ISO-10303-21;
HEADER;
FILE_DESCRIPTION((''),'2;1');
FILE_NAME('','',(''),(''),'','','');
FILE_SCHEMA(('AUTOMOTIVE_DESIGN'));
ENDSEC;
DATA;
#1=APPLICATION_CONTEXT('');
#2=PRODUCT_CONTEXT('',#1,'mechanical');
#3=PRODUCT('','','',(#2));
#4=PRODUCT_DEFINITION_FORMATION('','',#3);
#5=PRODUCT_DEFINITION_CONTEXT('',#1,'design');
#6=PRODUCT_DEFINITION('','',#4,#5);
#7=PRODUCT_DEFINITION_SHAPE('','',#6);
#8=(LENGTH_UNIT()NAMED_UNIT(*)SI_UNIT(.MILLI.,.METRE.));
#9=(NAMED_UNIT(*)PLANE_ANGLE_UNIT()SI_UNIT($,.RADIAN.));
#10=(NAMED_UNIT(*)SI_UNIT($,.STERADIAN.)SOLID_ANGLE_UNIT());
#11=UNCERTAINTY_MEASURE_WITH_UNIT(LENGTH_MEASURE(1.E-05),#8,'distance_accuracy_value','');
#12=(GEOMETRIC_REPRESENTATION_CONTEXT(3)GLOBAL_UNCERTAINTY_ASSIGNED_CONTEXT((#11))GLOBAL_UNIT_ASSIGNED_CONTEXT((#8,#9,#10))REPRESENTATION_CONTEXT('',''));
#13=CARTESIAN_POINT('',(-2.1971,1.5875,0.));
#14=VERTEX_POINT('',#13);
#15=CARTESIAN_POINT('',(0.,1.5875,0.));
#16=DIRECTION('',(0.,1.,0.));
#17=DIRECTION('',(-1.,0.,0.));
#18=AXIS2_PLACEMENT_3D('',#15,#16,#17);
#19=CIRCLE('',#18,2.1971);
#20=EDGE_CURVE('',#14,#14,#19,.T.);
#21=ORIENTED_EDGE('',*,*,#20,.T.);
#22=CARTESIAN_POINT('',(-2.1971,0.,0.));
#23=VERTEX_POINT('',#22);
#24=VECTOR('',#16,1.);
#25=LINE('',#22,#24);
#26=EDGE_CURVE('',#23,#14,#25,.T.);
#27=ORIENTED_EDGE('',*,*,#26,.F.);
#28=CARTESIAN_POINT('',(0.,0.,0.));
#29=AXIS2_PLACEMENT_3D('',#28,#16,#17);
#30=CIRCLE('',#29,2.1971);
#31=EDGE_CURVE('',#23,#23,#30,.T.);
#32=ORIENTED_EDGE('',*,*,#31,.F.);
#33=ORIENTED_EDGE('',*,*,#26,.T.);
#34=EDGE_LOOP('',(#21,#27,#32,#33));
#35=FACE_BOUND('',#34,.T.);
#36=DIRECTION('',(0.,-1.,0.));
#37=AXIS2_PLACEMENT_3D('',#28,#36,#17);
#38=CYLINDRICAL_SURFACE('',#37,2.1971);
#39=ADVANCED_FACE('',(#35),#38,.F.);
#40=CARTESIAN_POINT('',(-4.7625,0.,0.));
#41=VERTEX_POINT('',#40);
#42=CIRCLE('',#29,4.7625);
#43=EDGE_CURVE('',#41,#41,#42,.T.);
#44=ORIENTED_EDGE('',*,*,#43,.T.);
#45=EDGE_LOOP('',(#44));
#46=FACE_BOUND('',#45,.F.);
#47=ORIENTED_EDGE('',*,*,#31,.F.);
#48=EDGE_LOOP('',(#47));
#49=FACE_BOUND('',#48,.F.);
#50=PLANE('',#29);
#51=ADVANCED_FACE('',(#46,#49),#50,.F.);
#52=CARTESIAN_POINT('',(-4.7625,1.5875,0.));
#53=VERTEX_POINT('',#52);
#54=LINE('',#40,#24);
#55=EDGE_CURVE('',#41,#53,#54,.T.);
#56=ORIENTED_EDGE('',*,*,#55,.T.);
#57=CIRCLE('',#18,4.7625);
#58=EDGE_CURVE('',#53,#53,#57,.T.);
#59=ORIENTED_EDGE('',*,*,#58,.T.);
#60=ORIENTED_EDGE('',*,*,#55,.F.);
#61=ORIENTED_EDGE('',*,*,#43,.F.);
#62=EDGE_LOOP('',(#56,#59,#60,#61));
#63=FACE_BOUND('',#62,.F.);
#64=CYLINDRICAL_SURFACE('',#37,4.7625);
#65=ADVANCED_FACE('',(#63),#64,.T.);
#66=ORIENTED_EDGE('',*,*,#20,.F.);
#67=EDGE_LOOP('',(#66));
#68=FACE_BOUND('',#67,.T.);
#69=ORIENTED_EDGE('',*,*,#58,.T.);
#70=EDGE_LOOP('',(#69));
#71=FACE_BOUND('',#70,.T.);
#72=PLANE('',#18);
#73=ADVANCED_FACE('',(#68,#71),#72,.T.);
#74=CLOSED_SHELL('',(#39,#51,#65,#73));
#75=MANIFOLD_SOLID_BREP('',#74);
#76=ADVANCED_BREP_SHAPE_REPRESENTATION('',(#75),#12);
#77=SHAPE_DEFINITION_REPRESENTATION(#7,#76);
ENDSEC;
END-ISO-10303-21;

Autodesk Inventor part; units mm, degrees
ref_plane "YZ Plane" through (0, 0, 0) normal (1, 0, 0) x (0, 1, 0)
ref_plane "XZ Plane" through (0, 0, 0) normal (0, 1, 0) x (-1, 0, 0)
ref_plane "XY Plane" through (0, 0, 0) normal (0, 0, 1) x (1, 0, 0)
sketch "Sketch1" plane through (0, 0, 0) normal (0, 1, 0) x (-1, 0, 0)
  circle A0 centre (0, 0) radius 2.1971
  circle A1 centre (0, 0) radius 4.7625
  dimension "d0" = 4.3942
  dimension "d1" = 9.525
extrude "Extrusion1" add sketch "Sketch1" along normal blind 1.5875
properties material "Steel, Cast"
